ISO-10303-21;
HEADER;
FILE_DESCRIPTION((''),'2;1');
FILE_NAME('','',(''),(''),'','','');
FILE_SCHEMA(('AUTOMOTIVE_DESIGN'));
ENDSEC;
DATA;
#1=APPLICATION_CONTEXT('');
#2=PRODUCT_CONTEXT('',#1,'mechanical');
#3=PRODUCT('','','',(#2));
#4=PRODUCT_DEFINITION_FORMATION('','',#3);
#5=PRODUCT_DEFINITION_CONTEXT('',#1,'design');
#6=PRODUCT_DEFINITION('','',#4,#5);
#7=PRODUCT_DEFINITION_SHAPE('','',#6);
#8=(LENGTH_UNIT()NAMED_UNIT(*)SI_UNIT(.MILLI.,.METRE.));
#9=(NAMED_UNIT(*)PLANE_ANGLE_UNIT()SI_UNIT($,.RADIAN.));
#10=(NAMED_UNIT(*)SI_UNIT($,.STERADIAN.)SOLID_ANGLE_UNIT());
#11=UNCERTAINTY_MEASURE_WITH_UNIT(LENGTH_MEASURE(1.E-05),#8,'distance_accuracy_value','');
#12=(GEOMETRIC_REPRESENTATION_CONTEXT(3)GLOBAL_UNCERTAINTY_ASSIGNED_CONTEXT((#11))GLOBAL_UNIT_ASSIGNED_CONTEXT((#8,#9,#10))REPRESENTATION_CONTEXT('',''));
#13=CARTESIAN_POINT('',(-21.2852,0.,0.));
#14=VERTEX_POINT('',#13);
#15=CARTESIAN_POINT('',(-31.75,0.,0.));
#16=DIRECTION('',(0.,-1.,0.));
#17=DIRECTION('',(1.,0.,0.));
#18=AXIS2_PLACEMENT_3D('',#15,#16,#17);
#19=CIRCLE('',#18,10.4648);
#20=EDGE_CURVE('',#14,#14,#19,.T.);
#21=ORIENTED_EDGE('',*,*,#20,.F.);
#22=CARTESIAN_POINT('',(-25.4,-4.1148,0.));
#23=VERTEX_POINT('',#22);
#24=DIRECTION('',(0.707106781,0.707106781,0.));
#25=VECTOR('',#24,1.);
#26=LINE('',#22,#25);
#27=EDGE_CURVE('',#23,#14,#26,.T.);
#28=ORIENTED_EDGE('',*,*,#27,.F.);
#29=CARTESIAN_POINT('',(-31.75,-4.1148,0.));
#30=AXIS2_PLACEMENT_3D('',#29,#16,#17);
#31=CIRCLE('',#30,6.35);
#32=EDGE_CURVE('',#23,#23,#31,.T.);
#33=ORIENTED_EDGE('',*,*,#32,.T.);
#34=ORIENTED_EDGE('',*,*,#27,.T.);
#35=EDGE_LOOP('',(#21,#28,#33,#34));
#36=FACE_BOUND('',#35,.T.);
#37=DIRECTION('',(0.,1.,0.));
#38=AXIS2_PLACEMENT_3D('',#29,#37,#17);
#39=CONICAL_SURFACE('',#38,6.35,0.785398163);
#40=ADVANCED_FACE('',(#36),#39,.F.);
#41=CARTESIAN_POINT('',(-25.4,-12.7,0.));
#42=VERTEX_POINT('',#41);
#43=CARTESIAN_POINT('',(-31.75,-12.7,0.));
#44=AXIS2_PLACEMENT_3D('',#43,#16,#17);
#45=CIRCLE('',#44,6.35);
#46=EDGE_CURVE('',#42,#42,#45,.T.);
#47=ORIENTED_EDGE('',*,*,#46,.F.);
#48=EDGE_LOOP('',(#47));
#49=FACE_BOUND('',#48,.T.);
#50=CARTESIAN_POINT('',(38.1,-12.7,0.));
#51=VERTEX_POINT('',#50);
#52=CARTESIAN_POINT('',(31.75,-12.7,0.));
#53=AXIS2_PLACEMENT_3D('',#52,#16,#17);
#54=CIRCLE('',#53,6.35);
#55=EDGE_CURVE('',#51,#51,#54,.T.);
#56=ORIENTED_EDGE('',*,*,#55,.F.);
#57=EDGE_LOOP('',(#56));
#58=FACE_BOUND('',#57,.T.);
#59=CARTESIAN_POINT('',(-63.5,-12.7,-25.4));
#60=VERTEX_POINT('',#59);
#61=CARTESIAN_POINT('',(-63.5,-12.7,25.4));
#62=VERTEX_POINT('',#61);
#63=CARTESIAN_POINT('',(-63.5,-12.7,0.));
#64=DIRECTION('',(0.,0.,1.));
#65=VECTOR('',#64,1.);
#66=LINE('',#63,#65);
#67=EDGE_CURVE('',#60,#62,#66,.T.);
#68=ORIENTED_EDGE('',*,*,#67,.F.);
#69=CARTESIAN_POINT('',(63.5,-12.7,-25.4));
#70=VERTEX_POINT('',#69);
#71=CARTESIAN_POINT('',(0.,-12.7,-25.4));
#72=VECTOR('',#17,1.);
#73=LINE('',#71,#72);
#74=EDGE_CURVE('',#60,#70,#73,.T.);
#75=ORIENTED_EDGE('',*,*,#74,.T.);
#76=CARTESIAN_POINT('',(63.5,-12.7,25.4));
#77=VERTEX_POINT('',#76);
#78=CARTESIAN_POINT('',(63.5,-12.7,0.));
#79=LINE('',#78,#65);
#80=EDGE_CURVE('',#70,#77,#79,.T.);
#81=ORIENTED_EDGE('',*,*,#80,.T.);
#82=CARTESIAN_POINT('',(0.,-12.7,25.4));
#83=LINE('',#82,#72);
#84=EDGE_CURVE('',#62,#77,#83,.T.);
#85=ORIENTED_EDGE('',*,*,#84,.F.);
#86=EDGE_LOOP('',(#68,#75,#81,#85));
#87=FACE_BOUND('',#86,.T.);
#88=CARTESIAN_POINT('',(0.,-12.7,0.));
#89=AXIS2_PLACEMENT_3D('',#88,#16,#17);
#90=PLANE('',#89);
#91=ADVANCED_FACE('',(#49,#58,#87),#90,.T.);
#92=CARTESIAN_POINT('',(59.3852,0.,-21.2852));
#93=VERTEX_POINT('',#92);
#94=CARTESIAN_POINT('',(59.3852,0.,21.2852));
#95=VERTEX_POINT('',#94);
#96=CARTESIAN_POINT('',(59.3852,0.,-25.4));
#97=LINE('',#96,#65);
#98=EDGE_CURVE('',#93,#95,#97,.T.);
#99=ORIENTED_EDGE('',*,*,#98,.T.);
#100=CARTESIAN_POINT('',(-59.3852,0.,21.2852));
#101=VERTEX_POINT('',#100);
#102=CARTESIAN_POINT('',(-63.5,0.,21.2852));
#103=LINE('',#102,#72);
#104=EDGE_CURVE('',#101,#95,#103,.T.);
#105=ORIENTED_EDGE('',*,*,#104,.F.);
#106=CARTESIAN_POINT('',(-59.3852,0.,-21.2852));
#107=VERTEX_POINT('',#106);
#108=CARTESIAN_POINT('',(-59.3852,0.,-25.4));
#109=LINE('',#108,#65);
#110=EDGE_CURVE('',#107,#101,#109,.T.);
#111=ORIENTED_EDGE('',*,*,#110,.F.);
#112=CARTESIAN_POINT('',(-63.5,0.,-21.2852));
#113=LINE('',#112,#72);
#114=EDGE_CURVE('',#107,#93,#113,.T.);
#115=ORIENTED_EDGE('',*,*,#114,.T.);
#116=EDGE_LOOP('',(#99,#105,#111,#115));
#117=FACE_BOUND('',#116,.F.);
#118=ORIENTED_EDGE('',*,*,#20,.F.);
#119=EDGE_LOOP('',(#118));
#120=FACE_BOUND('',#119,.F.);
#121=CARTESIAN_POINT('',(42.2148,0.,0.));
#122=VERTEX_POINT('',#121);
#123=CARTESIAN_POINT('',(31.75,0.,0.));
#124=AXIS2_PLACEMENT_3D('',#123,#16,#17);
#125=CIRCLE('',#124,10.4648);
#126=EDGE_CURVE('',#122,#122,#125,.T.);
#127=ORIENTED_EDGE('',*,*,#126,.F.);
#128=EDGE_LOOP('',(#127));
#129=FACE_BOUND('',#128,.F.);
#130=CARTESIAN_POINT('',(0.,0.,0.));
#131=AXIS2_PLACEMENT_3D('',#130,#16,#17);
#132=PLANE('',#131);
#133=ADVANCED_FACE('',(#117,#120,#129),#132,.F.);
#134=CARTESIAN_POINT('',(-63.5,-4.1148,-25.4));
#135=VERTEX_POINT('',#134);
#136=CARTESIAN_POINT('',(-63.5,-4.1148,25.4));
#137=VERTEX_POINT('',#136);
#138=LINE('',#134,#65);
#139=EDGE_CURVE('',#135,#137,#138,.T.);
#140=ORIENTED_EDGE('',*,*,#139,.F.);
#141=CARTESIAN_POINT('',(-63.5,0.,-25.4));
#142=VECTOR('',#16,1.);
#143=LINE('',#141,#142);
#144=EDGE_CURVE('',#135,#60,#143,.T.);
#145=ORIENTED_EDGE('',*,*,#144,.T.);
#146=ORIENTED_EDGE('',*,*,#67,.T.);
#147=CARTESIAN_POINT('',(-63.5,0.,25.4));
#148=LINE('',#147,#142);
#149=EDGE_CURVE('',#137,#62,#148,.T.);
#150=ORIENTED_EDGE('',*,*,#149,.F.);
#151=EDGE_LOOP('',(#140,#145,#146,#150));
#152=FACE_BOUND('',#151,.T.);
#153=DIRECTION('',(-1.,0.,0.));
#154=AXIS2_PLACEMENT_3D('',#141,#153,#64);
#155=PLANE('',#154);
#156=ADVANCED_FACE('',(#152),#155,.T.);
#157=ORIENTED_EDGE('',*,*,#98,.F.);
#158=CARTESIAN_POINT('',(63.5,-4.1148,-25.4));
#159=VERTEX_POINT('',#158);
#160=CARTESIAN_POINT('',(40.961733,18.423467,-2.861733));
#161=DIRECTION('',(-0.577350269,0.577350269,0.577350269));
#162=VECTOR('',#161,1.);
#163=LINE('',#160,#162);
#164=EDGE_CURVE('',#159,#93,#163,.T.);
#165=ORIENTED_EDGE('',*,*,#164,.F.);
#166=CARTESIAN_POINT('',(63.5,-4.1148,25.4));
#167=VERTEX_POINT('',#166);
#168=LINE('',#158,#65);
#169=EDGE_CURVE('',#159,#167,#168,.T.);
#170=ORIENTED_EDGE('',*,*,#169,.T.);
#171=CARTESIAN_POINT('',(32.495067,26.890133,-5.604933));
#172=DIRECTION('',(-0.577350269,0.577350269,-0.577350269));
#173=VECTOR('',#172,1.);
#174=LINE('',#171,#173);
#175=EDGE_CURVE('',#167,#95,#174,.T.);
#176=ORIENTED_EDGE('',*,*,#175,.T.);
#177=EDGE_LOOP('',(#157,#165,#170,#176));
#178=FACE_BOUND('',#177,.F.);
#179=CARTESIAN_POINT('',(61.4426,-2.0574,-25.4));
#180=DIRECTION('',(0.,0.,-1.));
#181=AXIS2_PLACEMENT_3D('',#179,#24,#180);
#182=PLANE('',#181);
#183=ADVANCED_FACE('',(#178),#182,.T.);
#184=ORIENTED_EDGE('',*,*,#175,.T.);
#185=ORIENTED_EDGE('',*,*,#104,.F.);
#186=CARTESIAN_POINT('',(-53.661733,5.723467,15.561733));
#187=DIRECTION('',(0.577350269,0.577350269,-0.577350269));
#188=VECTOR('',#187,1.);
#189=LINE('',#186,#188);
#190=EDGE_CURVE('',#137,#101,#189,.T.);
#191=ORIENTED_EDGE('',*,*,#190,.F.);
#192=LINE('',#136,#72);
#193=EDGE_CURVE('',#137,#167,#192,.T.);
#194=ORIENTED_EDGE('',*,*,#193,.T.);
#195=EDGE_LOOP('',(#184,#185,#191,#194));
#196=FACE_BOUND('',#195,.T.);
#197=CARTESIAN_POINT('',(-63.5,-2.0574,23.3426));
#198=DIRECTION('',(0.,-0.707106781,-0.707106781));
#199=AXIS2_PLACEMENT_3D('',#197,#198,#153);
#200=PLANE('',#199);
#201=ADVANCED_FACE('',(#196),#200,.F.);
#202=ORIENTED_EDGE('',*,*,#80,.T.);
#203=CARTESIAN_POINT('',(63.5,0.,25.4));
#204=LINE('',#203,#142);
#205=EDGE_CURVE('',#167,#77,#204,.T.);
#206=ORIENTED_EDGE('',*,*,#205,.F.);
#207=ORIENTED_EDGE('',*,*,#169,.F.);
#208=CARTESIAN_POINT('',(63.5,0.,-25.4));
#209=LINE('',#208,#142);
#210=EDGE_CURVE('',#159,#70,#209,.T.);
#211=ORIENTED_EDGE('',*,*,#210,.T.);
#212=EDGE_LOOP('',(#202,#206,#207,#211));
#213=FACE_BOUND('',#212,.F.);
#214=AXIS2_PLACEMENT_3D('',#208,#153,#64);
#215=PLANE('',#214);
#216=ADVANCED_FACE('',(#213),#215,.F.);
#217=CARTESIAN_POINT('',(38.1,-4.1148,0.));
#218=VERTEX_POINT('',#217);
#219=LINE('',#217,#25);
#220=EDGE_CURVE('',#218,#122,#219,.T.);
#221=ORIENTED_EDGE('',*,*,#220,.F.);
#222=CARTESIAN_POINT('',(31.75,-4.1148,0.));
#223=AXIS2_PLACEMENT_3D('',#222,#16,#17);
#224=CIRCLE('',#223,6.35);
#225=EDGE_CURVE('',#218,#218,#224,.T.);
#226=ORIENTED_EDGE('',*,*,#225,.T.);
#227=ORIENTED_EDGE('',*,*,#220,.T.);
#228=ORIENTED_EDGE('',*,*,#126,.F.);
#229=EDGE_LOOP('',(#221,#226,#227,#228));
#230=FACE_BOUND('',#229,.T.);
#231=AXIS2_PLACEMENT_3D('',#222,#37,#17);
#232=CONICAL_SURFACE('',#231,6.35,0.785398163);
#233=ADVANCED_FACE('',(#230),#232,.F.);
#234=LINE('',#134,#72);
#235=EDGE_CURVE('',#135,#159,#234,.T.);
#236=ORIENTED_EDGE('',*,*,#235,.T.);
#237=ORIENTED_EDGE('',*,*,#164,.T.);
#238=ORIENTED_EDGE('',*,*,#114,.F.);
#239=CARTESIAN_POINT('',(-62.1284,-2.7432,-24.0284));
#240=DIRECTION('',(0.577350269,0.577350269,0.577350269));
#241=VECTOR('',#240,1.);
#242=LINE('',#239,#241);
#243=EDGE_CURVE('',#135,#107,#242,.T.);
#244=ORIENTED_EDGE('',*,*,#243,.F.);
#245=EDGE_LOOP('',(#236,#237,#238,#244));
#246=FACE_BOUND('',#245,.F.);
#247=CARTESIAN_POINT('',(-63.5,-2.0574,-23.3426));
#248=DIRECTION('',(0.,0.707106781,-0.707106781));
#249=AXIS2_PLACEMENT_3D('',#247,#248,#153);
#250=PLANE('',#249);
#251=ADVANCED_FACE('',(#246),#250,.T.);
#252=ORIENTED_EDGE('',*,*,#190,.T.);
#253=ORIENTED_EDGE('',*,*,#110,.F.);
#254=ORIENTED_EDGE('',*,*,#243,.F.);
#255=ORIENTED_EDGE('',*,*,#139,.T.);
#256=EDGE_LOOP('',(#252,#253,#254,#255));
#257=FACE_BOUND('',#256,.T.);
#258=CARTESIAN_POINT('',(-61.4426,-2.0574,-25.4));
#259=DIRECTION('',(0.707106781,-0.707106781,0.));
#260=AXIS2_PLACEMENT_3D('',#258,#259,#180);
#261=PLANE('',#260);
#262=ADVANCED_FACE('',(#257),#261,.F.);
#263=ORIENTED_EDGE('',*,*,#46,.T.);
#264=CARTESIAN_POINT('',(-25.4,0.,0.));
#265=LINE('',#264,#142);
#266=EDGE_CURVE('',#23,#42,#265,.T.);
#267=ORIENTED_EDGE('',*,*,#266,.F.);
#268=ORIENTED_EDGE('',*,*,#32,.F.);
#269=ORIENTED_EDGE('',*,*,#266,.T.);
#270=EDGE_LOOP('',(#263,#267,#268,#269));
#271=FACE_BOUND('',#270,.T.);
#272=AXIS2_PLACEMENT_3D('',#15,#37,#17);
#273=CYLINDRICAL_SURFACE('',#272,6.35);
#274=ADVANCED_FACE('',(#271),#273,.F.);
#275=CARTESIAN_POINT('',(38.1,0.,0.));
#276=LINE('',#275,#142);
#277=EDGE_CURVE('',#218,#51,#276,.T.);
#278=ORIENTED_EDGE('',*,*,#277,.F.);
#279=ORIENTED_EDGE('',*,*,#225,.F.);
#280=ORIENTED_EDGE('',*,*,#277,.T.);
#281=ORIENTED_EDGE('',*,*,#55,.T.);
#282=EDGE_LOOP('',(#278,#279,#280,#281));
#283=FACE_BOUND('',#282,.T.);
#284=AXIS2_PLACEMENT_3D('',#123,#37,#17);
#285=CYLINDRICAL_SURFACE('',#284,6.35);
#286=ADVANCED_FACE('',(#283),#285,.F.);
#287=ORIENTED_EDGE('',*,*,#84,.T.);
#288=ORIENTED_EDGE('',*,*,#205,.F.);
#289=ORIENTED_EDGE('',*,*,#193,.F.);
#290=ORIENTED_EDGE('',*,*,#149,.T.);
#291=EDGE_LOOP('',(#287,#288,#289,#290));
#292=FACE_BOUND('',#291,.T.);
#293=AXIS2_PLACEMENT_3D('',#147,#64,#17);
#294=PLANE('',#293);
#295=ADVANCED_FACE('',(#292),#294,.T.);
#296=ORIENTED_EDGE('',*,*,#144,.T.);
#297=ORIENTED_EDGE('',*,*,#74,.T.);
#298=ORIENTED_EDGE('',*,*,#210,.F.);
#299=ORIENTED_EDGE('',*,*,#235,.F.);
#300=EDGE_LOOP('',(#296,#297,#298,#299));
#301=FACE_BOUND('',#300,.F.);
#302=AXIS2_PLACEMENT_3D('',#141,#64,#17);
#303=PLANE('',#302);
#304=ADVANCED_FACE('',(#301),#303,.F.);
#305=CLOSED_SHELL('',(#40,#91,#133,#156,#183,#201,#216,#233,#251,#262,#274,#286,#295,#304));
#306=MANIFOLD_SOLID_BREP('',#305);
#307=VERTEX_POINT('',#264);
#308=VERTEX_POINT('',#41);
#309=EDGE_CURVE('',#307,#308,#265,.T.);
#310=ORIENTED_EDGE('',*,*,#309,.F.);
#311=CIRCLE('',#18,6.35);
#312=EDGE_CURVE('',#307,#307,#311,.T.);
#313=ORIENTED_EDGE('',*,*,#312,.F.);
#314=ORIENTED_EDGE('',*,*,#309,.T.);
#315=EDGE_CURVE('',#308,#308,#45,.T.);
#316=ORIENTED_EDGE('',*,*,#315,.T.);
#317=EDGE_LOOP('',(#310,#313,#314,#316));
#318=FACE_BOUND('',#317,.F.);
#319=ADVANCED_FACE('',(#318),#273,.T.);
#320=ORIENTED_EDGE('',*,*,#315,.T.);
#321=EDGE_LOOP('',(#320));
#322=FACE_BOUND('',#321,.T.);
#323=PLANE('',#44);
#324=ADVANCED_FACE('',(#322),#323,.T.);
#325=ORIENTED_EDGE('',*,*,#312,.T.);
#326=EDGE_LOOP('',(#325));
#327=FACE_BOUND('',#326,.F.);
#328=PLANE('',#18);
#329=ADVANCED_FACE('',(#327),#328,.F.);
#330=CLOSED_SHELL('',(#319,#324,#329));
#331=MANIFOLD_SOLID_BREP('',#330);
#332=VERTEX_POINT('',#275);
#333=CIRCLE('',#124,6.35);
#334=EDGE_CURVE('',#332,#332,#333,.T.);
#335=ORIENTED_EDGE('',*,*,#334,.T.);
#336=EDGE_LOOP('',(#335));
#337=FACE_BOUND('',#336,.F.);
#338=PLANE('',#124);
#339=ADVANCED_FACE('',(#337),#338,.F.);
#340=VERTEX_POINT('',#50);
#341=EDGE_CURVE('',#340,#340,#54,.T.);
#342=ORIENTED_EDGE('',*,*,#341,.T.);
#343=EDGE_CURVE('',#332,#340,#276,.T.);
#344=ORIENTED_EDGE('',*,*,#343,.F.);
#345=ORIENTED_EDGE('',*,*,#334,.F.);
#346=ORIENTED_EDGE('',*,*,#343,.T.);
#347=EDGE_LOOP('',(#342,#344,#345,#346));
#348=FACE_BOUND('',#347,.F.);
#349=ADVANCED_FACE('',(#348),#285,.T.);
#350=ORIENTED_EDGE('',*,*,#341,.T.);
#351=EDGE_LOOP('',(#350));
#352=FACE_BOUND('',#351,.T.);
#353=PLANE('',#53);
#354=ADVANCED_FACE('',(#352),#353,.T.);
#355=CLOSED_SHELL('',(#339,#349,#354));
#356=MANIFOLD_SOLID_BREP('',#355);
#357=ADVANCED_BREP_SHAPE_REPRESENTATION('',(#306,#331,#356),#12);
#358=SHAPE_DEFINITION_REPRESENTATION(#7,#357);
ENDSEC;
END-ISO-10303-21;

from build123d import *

# Parameters (mm, degrees)
F0_R     = 6.35
F1_DEPTH = 12.7
F0_W     = 127
F0_H     = 50.8
F2_DEPTH = 12.7
F3_SIZE  = 4.1148


with BuildPart() as f1:
    # F0 (on Front) → F1 (new body)
    with BuildSketch(Plane.XZ):
        with Locations((-31.75, 0)):
            Circle(F0_R)
    extrude(amount=F1_DEPTH)


with BuildPart() as f1b:
    # F0 (on Front) → F1, piece 2 (new body)
    with BuildSketch(Plane.XZ):
        with Locations((31.75, 0)):
            Circle(F0_R)
    extrude(amount=F1_DEPTH)


with BuildPart() as f2:
    # F0 (on Front) → F2 (new body)
    with BuildSketch(Plane.XZ):
        Rectangle(F0_W, F0_H)
        with Locations((-31.75, 0)):
            Circle(F0_R, mode=Mode.SUBTRACT)
        with Locations((31.75, 0)):
            Circle(F0_R, mode=Mode.SUBTRACT)
    extrude(amount=F2_DEPTH)

    # F3
    f3_edges = [f2.edges().sort_by_distance(p)[0] for p in [
        (63.5, 0, 0),
        (0, 0, 25.4),
        (-63.5, 0, 0),
        (0, 0, -25.4),
        (-38.1, 0, 0),
        (25.4, 0, 0),
    ]]
    chamfer(f3_edges, length=F3_SIZE)


solid = Compound([f1.part, f1b.part, f2.part])
